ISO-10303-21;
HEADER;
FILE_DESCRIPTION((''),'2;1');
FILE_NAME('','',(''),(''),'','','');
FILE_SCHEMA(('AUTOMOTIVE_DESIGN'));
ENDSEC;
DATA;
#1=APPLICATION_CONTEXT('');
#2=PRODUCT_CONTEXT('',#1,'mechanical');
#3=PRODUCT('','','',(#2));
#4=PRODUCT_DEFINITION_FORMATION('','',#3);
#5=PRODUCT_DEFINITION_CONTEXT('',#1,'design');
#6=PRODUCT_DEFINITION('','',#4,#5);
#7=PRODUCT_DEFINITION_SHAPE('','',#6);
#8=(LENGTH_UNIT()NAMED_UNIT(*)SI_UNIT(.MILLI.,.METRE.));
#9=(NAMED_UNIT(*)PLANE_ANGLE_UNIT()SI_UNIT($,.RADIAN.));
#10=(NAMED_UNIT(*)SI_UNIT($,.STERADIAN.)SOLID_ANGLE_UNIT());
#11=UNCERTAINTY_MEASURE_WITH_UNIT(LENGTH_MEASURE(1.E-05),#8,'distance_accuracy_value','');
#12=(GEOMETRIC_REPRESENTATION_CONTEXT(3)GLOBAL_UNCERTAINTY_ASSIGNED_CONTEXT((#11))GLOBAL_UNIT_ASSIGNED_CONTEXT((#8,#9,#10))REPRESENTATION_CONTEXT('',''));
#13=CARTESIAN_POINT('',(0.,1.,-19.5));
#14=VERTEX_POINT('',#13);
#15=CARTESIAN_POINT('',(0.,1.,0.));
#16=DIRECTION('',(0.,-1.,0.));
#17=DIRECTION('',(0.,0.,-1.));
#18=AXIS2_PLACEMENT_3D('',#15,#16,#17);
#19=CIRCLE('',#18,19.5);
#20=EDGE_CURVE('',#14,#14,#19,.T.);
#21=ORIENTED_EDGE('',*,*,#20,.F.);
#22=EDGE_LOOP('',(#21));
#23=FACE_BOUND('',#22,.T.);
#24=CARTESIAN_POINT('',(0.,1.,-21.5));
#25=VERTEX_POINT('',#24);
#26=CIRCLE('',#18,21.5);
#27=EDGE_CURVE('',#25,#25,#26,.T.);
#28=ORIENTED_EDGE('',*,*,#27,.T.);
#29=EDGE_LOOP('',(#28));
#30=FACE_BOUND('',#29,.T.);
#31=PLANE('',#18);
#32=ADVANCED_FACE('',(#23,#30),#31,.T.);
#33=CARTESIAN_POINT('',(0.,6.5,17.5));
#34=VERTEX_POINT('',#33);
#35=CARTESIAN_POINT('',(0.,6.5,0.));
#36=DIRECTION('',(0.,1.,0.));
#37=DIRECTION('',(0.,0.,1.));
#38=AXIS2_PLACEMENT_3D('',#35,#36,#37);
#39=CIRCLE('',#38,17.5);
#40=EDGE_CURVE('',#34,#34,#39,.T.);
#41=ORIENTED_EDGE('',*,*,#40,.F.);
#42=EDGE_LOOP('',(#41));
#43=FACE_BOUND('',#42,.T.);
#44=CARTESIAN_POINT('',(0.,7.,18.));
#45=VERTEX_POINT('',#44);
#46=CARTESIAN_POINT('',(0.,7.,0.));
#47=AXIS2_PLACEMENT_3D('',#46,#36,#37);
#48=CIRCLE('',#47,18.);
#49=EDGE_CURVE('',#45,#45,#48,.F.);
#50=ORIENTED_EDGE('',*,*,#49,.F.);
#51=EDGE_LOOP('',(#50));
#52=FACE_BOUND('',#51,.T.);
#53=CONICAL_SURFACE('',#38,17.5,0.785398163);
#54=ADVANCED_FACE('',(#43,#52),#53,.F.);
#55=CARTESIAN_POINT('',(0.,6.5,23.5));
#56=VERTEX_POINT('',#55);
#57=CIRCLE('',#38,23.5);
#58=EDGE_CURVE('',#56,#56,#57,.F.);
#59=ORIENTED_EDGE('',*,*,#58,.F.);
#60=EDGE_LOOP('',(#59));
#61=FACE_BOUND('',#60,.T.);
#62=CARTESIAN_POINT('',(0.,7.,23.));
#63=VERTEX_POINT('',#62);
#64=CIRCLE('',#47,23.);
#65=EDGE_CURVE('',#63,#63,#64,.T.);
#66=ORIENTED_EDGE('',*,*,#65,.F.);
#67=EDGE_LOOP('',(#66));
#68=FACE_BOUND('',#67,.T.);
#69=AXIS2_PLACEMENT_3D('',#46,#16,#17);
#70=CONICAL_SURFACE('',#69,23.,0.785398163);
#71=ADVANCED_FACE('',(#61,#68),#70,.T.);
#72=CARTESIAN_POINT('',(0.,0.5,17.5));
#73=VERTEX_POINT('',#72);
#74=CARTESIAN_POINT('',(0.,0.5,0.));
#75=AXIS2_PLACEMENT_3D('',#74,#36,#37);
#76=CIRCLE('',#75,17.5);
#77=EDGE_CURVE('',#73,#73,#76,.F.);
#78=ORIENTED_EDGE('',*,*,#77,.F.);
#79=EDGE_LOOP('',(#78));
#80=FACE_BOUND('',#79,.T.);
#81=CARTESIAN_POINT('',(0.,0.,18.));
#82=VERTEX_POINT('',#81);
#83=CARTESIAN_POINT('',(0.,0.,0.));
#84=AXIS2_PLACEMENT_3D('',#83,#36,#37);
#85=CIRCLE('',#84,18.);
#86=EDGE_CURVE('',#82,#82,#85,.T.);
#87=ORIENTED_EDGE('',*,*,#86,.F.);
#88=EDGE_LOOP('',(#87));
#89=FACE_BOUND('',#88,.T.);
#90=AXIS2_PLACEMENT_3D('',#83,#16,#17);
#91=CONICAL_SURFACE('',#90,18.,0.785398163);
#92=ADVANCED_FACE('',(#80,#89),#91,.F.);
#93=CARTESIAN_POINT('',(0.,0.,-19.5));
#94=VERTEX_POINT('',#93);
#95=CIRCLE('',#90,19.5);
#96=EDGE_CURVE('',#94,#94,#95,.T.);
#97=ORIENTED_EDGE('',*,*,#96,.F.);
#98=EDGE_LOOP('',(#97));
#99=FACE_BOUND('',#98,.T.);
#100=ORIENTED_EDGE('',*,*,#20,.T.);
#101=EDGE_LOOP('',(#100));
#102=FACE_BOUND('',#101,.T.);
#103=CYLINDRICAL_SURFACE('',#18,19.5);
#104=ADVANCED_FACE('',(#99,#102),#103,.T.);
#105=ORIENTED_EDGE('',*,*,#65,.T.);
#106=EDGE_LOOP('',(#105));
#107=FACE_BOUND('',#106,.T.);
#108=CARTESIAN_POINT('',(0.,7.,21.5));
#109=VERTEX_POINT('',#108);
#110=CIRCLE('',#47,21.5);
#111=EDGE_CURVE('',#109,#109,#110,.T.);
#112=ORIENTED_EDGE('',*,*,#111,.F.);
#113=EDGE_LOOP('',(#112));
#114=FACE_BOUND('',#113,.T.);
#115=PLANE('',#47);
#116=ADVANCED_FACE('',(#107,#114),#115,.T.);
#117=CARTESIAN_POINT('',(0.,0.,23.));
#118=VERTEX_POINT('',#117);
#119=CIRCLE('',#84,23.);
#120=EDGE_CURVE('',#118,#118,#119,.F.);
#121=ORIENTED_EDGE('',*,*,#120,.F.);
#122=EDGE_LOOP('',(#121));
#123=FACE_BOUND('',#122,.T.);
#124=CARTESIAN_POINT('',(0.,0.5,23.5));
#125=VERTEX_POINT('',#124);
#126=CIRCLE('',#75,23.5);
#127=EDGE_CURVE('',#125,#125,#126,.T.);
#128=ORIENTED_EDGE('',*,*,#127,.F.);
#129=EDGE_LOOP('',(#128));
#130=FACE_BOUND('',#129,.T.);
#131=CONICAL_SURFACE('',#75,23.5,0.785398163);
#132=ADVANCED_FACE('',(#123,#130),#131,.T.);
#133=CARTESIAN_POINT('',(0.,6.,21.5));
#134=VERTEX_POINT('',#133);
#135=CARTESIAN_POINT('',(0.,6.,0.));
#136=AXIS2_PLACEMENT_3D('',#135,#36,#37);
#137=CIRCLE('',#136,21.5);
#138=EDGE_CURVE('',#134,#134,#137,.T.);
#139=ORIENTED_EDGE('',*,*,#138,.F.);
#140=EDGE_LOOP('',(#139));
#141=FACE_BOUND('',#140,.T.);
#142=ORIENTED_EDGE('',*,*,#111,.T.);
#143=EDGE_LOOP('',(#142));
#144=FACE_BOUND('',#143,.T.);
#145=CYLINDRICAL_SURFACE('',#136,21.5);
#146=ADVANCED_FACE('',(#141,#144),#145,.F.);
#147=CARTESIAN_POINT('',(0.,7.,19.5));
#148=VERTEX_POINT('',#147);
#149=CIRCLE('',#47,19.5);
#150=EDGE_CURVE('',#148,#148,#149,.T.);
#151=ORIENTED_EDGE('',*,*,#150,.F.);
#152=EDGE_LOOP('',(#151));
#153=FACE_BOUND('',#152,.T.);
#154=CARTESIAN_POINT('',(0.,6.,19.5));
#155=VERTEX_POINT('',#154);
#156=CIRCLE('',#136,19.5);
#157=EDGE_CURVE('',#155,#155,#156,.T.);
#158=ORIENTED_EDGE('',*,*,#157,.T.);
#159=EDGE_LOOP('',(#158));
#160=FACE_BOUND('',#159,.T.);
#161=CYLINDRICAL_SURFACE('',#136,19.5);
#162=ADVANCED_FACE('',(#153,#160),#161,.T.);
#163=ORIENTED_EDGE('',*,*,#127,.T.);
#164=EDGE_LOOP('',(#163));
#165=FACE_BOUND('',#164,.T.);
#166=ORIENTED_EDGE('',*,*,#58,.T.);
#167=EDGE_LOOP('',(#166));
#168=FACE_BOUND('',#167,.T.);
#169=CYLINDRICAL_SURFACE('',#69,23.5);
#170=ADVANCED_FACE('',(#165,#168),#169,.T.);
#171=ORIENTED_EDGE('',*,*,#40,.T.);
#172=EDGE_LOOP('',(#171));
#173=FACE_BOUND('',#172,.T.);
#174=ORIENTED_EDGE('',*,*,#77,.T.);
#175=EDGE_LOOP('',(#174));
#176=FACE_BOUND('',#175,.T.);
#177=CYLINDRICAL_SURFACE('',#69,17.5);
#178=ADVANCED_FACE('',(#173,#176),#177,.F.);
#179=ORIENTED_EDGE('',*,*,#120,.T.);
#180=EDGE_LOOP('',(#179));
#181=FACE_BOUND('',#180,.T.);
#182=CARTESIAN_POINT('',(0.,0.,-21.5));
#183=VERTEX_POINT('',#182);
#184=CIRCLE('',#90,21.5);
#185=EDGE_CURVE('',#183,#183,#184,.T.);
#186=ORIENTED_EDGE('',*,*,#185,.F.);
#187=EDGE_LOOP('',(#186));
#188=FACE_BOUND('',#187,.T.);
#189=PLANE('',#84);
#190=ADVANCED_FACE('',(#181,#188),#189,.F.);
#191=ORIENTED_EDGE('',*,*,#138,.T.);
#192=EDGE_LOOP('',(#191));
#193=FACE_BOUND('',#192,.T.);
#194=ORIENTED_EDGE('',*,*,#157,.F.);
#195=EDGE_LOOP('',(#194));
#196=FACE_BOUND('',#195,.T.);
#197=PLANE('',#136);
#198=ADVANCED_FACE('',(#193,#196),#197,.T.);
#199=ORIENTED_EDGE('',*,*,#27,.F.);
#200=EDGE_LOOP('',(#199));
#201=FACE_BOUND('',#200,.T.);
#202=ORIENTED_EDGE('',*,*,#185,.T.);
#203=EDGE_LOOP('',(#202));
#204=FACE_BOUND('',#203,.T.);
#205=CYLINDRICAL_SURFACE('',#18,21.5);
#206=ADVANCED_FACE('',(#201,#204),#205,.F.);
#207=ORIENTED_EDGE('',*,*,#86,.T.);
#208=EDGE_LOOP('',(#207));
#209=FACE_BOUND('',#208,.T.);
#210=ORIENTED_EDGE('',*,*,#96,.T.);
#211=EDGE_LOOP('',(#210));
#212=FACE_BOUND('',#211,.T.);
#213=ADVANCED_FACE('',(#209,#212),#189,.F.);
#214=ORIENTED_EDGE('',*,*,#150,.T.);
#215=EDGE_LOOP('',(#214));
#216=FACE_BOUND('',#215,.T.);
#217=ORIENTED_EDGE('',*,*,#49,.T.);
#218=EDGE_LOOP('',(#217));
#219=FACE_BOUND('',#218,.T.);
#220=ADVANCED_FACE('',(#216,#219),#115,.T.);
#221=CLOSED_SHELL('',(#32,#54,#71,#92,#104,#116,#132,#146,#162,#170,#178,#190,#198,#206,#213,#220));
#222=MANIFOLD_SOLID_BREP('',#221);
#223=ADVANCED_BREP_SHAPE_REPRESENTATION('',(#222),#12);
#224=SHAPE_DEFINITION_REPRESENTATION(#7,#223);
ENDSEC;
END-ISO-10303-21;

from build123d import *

# Parameters (mm, degrees)
SKETCH1_R           = 23.5
SKETCH1_R_2         = 17.5
BOSS_EXTRUDE1_DEPTH = 7
SKETCH2_R           = 21.5
SKETCH2_R_2         = 19.5
CUT_EXTRUDE1_DEPTH  = 1
CUT_EXTRUDE2_START  = -1
SKETCH3_R           = 21.5
SKETCH3_R_2         = 19.5
CUT_EXTRUDE2_DEPTH  = 1
CHAMFER1_SIZE       = 0.5


with BuildPart() as part:
    # Sketch1 → Boss-Extrude1 (new body)
    with BuildSketch(Plane(origin=(0, 0, 0), x_dir=(1, 0, 0), z_dir=(0, 1, 0))):
        with Locations(Location((0, 0, 0), (0, 0, 270))):
            Circle(SKETCH1_R)
        with Locations(Location((0, 0, 0), (0, 0, 270))):
            Circle(SKETCH1_R_2, mode=Mode.SUBTRACT)
    extrude(amount=BOSS_EXTRUDE1_DEPTH)

    # Sketch2 → Cut-Extrude1 (cut)
    with BuildSketch(Plane(origin=(0, 7, 0), x_dir=(1, 0, 0), z_dir=(0, 1, 0))):
        with Locations(Location((0, 0, 0), (0, 0, 270))):
            Circle(SKETCH2_R)
        with Locations(Location((0, 0, 0), (0, 0, 270))):
            Circle(SKETCH2_R_2, mode=Mode.SUBTRACT)
    extrude(amount=-CUT_EXTRUDE1_DEPTH, mode=Mode.SUBTRACT)

    # Sketch3 → Cut-Extrude2 (cut)
    with BuildSketch(Plane.XZ.offset(CUT_EXTRUDE2_START)):
        with Locations(Location((0, 0, 0), (0, 0, 90))):
            Circle(SKETCH3_R)
        with Locations(Location((0, 0, 0), (0, 0, 90))):
            Circle(SKETCH3_R_2, mode=Mode.SUBTRACT)
    extrude(amount=CUT_EXTRUDE2_DEPTH, mode=Mode.SUBTRACT)

    # Chamfer1
    chamfer1_edges = [part.edges().sort_by_distance(p)[0] for p in [
        (0, 0, -23.5),
        (0, 7, -23.5),
        (0, 0, -17.5),
        (0, 7, -17.5),
    ]]
    chamfer(chamfer1_edges, length=CHAMFER1_SIZE)


solid = part.part
